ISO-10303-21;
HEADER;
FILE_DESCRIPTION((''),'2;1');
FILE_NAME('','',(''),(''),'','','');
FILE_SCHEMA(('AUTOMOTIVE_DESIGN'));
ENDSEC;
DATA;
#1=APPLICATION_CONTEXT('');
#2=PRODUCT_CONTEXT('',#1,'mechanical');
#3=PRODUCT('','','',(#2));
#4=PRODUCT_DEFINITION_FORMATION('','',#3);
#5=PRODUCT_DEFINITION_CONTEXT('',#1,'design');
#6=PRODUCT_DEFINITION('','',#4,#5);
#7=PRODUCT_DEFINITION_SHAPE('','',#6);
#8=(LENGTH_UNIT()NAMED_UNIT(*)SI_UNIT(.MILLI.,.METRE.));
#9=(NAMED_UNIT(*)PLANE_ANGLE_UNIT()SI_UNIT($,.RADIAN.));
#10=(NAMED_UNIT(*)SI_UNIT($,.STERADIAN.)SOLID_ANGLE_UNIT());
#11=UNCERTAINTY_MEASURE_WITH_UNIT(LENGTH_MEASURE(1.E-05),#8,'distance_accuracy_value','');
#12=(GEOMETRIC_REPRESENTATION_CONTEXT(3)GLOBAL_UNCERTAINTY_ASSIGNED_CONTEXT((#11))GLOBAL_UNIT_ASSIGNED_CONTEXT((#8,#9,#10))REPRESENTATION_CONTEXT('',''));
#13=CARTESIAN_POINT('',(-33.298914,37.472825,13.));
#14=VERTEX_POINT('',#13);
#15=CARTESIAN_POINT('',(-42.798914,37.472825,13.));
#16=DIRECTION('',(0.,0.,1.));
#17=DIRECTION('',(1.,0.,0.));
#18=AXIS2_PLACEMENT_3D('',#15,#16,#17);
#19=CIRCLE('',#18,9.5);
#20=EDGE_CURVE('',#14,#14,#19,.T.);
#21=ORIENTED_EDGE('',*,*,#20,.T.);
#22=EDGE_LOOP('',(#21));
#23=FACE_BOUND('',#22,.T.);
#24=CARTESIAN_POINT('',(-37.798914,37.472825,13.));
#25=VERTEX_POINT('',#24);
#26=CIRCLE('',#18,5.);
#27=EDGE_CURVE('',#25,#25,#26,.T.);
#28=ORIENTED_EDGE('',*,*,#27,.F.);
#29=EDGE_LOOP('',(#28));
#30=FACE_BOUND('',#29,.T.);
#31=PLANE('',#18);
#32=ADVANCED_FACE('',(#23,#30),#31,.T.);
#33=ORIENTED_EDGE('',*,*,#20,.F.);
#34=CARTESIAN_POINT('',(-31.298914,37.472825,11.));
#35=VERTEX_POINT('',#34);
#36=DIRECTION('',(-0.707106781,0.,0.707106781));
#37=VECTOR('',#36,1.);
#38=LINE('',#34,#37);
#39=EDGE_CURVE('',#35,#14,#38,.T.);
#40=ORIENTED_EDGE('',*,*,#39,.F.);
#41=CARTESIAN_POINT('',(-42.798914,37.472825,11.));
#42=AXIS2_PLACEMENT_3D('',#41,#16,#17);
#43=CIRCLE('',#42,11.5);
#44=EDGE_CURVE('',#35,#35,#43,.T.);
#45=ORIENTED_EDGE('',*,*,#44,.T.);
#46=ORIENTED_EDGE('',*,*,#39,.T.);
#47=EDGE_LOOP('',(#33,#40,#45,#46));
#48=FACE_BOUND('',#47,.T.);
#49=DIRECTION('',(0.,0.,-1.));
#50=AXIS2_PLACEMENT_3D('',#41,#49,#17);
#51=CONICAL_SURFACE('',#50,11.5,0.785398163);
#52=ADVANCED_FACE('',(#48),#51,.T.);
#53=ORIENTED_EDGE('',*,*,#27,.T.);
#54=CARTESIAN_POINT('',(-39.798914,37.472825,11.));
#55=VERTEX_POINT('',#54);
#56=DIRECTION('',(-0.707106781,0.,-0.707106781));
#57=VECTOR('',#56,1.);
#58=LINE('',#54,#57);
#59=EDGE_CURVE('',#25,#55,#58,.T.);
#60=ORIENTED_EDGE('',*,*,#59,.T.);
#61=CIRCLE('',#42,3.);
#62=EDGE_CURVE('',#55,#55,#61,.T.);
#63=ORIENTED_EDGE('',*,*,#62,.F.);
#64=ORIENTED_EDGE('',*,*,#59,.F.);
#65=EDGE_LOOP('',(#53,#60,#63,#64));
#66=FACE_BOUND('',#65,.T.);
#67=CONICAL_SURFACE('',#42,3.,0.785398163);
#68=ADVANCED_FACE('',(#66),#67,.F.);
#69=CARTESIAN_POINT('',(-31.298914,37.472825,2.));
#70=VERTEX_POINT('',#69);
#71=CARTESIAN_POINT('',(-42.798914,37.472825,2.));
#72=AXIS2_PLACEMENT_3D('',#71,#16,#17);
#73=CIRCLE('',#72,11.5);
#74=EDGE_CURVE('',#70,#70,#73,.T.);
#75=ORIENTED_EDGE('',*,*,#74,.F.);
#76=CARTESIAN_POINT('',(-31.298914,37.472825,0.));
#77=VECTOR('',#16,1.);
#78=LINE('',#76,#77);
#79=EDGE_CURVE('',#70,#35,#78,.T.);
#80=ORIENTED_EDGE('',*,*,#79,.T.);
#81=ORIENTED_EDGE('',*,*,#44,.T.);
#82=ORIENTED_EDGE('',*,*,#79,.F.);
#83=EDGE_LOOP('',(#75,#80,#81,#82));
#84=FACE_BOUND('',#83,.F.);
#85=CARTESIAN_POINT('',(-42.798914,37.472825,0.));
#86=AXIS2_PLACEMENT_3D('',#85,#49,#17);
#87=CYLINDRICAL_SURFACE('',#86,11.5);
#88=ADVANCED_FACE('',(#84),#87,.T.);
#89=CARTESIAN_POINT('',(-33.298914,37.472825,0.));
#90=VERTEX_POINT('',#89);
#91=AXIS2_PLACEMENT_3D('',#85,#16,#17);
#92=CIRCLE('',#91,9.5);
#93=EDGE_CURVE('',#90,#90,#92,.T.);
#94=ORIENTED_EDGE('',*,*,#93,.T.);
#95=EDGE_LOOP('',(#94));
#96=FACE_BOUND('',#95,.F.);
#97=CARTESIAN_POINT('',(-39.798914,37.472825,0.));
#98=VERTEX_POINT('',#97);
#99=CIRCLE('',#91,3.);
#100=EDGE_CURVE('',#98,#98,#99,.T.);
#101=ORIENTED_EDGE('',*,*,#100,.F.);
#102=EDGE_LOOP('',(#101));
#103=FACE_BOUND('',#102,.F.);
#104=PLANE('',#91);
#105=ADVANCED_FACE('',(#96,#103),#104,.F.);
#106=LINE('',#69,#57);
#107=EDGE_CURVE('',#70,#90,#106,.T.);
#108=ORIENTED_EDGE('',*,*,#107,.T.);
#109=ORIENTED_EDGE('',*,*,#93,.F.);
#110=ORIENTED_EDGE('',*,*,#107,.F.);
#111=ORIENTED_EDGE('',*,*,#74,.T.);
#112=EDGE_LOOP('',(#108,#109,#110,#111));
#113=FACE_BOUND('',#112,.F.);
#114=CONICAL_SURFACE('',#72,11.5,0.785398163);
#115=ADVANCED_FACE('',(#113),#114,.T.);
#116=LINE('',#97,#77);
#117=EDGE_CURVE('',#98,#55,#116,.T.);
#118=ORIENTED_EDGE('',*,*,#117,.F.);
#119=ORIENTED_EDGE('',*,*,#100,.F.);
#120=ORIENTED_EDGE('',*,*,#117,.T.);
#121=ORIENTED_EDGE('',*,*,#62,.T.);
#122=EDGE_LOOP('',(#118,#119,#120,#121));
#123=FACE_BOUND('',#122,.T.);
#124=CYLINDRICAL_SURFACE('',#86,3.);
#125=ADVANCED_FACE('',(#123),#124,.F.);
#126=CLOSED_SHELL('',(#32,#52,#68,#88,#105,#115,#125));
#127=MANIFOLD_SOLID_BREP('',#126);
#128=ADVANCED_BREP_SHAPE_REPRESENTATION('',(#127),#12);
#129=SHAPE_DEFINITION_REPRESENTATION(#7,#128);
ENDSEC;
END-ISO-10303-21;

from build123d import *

# Parameters (mm, degrees)
F0_R     = 11.5
F0_R_2   = 3
F1_DEPTH = 13
F2_SIZE  = 2
F3_SIZE  = 2
F4_SIZE  = 2


with BuildPart() as f1:
    # F0 (on Top) → F1 (new body)
    with BuildSketch(Plane.XY):
        with Locations((-42.798914, 37.472825)):
            Circle(F0_R)
        with Locations((-42.798914, 37.472825)):
            Circle(F0_R_2, mode=Mode.SUBTRACT)
    extrude(amount=F1_DEPTH)

    # F2
    f2_edges = [f1.edges().sort_by_distance(p)[0] for p in [
        (-54.298914, 37.472825, 13),
    ]]
    chamfer(f2_edges, length=F2_SIZE)

    # F3
    f3_edges = [f1.edges().sort_by_distance(p)[0] for p in [
        (-54.298914, 37.472825, 0),
    ]]
    chamfer(f3_edges, length=F3_SIZE)

    # F4
    f4_edges = [f1.edges().sort_by_distance(p)[0] for p in [
        (-45.798914, 37.472825, 13),
    ]]
    chamfer(f4_edges, length=F4_SIZE)


solid = f1.part
